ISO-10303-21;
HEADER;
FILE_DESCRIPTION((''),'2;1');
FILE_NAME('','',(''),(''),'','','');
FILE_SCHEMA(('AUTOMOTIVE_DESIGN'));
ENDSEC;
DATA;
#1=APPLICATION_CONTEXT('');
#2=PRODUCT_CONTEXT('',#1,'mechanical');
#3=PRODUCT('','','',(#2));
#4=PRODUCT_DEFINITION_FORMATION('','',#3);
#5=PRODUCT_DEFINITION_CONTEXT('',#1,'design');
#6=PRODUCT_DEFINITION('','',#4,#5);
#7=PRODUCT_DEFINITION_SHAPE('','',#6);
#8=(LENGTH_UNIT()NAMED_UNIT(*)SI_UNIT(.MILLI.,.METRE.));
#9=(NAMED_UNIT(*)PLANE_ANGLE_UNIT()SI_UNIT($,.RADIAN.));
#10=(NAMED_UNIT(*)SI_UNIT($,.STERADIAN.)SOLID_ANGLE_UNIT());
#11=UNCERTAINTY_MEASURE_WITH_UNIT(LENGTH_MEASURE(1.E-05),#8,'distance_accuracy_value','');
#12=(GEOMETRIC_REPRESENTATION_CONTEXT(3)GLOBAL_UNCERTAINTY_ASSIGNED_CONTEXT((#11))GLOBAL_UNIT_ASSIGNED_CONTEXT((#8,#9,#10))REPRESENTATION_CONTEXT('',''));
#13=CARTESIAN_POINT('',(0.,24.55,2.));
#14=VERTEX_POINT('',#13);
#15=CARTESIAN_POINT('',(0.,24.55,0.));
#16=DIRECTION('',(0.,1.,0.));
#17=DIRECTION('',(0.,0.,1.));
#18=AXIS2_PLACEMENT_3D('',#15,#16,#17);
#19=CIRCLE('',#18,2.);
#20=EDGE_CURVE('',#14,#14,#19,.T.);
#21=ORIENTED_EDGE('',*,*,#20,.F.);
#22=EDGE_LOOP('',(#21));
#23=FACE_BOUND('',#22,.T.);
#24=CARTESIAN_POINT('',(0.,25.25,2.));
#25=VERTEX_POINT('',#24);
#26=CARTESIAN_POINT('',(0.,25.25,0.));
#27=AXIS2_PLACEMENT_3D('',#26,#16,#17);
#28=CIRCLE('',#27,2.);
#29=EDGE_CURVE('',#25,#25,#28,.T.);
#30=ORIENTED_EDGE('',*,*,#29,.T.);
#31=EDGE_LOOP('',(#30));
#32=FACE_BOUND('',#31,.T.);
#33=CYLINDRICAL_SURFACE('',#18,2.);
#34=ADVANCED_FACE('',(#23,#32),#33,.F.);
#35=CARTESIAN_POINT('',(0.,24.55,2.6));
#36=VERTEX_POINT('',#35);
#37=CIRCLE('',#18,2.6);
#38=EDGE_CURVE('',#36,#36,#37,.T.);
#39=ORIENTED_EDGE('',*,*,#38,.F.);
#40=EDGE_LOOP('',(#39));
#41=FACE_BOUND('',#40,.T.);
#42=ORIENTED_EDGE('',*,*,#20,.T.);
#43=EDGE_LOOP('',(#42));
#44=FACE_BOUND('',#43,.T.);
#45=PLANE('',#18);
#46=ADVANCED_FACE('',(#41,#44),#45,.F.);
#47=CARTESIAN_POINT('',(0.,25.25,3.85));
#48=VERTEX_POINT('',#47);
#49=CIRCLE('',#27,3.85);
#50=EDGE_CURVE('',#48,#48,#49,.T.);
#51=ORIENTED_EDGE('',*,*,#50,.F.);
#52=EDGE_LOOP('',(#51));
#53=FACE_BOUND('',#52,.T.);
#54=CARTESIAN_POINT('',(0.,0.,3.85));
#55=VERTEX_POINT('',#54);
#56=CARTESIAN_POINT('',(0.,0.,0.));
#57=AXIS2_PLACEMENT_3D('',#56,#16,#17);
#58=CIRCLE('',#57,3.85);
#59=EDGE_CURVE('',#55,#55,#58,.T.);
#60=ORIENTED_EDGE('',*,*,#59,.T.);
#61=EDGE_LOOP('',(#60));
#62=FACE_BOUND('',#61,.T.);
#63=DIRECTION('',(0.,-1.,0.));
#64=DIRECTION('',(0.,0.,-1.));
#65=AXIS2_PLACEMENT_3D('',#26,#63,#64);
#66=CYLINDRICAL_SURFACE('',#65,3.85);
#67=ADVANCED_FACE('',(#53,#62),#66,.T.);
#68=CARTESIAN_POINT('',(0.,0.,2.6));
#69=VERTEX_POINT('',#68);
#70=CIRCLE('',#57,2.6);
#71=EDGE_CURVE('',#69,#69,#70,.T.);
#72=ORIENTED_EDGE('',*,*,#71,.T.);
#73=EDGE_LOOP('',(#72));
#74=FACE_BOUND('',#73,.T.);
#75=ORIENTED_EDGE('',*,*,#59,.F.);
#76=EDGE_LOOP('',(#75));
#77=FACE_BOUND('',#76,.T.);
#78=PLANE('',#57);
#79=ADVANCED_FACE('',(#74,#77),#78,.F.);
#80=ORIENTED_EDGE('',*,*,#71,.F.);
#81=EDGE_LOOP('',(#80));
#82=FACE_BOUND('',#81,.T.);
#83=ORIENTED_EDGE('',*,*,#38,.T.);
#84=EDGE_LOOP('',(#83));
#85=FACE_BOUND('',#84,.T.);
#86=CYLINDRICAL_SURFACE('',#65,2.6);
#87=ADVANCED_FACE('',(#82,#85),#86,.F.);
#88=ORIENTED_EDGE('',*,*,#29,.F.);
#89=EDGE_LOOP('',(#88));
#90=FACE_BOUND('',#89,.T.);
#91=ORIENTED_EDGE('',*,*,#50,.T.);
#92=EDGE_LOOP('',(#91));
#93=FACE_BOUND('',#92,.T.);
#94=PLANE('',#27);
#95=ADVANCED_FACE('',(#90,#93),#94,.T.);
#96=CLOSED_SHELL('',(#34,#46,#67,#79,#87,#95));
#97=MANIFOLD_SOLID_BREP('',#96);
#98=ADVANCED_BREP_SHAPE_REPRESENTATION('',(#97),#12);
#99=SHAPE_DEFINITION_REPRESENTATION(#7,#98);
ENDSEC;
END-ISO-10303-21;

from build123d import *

# Parameters (mm, degrees)
SKETCH1_R           = 3.85
SKETCH1_R_2         = 2.6
BOSS_EXTRUDE1_DEPTH = 25.25
BOSS_EXTRUDE2_START = -0.7
SKETCH2_R           = 3.85
SKETCH2_R_2         = 2
BOSS_EXTRUDE2_DEPTH = 0.7


with BuildPart() as part:
    # Sketch1 → Boss-Extrude1 (new body)
    with BuildSketch(Plane(origin=(0, 0, 0), x_dir=(1, 0, 0), z_dir=(0, 1, 0))):
        with Locations(Location((0, 0, 0), (0, 0, 270))):
            Circle(SKETCH1_R)
        with Locations(Location((0, 0, 0), (0, 0, 270))):
            Circle(SKETCH1_R_2, mode=Mode.SUBTRACT)
    extrude(amount=BOSS_EXTRUDE1_DEPTH)

    # Sketch2 → Boss-Extrude2 (add)
    with BuildSketch(Plane(origin=(0, 25.25, 0), x_dir=(1, 0, 0), z_dir=(0, 1, 0)).offset(BOSS_EXTRUDE2_START)):
        with Locations(Location((0, 0, 0), (0, 0, 270))):
            Circle(SKETCH2_R)
        with Locations(Location((0, 0, 0), (0, 0, 270))):
            Circle(SKETCH2_R_2, mode=Mode.SUBTRACT)
    extrude(amount=BOSS_EXTRUDE2_DEPTH)


solid = part.part
